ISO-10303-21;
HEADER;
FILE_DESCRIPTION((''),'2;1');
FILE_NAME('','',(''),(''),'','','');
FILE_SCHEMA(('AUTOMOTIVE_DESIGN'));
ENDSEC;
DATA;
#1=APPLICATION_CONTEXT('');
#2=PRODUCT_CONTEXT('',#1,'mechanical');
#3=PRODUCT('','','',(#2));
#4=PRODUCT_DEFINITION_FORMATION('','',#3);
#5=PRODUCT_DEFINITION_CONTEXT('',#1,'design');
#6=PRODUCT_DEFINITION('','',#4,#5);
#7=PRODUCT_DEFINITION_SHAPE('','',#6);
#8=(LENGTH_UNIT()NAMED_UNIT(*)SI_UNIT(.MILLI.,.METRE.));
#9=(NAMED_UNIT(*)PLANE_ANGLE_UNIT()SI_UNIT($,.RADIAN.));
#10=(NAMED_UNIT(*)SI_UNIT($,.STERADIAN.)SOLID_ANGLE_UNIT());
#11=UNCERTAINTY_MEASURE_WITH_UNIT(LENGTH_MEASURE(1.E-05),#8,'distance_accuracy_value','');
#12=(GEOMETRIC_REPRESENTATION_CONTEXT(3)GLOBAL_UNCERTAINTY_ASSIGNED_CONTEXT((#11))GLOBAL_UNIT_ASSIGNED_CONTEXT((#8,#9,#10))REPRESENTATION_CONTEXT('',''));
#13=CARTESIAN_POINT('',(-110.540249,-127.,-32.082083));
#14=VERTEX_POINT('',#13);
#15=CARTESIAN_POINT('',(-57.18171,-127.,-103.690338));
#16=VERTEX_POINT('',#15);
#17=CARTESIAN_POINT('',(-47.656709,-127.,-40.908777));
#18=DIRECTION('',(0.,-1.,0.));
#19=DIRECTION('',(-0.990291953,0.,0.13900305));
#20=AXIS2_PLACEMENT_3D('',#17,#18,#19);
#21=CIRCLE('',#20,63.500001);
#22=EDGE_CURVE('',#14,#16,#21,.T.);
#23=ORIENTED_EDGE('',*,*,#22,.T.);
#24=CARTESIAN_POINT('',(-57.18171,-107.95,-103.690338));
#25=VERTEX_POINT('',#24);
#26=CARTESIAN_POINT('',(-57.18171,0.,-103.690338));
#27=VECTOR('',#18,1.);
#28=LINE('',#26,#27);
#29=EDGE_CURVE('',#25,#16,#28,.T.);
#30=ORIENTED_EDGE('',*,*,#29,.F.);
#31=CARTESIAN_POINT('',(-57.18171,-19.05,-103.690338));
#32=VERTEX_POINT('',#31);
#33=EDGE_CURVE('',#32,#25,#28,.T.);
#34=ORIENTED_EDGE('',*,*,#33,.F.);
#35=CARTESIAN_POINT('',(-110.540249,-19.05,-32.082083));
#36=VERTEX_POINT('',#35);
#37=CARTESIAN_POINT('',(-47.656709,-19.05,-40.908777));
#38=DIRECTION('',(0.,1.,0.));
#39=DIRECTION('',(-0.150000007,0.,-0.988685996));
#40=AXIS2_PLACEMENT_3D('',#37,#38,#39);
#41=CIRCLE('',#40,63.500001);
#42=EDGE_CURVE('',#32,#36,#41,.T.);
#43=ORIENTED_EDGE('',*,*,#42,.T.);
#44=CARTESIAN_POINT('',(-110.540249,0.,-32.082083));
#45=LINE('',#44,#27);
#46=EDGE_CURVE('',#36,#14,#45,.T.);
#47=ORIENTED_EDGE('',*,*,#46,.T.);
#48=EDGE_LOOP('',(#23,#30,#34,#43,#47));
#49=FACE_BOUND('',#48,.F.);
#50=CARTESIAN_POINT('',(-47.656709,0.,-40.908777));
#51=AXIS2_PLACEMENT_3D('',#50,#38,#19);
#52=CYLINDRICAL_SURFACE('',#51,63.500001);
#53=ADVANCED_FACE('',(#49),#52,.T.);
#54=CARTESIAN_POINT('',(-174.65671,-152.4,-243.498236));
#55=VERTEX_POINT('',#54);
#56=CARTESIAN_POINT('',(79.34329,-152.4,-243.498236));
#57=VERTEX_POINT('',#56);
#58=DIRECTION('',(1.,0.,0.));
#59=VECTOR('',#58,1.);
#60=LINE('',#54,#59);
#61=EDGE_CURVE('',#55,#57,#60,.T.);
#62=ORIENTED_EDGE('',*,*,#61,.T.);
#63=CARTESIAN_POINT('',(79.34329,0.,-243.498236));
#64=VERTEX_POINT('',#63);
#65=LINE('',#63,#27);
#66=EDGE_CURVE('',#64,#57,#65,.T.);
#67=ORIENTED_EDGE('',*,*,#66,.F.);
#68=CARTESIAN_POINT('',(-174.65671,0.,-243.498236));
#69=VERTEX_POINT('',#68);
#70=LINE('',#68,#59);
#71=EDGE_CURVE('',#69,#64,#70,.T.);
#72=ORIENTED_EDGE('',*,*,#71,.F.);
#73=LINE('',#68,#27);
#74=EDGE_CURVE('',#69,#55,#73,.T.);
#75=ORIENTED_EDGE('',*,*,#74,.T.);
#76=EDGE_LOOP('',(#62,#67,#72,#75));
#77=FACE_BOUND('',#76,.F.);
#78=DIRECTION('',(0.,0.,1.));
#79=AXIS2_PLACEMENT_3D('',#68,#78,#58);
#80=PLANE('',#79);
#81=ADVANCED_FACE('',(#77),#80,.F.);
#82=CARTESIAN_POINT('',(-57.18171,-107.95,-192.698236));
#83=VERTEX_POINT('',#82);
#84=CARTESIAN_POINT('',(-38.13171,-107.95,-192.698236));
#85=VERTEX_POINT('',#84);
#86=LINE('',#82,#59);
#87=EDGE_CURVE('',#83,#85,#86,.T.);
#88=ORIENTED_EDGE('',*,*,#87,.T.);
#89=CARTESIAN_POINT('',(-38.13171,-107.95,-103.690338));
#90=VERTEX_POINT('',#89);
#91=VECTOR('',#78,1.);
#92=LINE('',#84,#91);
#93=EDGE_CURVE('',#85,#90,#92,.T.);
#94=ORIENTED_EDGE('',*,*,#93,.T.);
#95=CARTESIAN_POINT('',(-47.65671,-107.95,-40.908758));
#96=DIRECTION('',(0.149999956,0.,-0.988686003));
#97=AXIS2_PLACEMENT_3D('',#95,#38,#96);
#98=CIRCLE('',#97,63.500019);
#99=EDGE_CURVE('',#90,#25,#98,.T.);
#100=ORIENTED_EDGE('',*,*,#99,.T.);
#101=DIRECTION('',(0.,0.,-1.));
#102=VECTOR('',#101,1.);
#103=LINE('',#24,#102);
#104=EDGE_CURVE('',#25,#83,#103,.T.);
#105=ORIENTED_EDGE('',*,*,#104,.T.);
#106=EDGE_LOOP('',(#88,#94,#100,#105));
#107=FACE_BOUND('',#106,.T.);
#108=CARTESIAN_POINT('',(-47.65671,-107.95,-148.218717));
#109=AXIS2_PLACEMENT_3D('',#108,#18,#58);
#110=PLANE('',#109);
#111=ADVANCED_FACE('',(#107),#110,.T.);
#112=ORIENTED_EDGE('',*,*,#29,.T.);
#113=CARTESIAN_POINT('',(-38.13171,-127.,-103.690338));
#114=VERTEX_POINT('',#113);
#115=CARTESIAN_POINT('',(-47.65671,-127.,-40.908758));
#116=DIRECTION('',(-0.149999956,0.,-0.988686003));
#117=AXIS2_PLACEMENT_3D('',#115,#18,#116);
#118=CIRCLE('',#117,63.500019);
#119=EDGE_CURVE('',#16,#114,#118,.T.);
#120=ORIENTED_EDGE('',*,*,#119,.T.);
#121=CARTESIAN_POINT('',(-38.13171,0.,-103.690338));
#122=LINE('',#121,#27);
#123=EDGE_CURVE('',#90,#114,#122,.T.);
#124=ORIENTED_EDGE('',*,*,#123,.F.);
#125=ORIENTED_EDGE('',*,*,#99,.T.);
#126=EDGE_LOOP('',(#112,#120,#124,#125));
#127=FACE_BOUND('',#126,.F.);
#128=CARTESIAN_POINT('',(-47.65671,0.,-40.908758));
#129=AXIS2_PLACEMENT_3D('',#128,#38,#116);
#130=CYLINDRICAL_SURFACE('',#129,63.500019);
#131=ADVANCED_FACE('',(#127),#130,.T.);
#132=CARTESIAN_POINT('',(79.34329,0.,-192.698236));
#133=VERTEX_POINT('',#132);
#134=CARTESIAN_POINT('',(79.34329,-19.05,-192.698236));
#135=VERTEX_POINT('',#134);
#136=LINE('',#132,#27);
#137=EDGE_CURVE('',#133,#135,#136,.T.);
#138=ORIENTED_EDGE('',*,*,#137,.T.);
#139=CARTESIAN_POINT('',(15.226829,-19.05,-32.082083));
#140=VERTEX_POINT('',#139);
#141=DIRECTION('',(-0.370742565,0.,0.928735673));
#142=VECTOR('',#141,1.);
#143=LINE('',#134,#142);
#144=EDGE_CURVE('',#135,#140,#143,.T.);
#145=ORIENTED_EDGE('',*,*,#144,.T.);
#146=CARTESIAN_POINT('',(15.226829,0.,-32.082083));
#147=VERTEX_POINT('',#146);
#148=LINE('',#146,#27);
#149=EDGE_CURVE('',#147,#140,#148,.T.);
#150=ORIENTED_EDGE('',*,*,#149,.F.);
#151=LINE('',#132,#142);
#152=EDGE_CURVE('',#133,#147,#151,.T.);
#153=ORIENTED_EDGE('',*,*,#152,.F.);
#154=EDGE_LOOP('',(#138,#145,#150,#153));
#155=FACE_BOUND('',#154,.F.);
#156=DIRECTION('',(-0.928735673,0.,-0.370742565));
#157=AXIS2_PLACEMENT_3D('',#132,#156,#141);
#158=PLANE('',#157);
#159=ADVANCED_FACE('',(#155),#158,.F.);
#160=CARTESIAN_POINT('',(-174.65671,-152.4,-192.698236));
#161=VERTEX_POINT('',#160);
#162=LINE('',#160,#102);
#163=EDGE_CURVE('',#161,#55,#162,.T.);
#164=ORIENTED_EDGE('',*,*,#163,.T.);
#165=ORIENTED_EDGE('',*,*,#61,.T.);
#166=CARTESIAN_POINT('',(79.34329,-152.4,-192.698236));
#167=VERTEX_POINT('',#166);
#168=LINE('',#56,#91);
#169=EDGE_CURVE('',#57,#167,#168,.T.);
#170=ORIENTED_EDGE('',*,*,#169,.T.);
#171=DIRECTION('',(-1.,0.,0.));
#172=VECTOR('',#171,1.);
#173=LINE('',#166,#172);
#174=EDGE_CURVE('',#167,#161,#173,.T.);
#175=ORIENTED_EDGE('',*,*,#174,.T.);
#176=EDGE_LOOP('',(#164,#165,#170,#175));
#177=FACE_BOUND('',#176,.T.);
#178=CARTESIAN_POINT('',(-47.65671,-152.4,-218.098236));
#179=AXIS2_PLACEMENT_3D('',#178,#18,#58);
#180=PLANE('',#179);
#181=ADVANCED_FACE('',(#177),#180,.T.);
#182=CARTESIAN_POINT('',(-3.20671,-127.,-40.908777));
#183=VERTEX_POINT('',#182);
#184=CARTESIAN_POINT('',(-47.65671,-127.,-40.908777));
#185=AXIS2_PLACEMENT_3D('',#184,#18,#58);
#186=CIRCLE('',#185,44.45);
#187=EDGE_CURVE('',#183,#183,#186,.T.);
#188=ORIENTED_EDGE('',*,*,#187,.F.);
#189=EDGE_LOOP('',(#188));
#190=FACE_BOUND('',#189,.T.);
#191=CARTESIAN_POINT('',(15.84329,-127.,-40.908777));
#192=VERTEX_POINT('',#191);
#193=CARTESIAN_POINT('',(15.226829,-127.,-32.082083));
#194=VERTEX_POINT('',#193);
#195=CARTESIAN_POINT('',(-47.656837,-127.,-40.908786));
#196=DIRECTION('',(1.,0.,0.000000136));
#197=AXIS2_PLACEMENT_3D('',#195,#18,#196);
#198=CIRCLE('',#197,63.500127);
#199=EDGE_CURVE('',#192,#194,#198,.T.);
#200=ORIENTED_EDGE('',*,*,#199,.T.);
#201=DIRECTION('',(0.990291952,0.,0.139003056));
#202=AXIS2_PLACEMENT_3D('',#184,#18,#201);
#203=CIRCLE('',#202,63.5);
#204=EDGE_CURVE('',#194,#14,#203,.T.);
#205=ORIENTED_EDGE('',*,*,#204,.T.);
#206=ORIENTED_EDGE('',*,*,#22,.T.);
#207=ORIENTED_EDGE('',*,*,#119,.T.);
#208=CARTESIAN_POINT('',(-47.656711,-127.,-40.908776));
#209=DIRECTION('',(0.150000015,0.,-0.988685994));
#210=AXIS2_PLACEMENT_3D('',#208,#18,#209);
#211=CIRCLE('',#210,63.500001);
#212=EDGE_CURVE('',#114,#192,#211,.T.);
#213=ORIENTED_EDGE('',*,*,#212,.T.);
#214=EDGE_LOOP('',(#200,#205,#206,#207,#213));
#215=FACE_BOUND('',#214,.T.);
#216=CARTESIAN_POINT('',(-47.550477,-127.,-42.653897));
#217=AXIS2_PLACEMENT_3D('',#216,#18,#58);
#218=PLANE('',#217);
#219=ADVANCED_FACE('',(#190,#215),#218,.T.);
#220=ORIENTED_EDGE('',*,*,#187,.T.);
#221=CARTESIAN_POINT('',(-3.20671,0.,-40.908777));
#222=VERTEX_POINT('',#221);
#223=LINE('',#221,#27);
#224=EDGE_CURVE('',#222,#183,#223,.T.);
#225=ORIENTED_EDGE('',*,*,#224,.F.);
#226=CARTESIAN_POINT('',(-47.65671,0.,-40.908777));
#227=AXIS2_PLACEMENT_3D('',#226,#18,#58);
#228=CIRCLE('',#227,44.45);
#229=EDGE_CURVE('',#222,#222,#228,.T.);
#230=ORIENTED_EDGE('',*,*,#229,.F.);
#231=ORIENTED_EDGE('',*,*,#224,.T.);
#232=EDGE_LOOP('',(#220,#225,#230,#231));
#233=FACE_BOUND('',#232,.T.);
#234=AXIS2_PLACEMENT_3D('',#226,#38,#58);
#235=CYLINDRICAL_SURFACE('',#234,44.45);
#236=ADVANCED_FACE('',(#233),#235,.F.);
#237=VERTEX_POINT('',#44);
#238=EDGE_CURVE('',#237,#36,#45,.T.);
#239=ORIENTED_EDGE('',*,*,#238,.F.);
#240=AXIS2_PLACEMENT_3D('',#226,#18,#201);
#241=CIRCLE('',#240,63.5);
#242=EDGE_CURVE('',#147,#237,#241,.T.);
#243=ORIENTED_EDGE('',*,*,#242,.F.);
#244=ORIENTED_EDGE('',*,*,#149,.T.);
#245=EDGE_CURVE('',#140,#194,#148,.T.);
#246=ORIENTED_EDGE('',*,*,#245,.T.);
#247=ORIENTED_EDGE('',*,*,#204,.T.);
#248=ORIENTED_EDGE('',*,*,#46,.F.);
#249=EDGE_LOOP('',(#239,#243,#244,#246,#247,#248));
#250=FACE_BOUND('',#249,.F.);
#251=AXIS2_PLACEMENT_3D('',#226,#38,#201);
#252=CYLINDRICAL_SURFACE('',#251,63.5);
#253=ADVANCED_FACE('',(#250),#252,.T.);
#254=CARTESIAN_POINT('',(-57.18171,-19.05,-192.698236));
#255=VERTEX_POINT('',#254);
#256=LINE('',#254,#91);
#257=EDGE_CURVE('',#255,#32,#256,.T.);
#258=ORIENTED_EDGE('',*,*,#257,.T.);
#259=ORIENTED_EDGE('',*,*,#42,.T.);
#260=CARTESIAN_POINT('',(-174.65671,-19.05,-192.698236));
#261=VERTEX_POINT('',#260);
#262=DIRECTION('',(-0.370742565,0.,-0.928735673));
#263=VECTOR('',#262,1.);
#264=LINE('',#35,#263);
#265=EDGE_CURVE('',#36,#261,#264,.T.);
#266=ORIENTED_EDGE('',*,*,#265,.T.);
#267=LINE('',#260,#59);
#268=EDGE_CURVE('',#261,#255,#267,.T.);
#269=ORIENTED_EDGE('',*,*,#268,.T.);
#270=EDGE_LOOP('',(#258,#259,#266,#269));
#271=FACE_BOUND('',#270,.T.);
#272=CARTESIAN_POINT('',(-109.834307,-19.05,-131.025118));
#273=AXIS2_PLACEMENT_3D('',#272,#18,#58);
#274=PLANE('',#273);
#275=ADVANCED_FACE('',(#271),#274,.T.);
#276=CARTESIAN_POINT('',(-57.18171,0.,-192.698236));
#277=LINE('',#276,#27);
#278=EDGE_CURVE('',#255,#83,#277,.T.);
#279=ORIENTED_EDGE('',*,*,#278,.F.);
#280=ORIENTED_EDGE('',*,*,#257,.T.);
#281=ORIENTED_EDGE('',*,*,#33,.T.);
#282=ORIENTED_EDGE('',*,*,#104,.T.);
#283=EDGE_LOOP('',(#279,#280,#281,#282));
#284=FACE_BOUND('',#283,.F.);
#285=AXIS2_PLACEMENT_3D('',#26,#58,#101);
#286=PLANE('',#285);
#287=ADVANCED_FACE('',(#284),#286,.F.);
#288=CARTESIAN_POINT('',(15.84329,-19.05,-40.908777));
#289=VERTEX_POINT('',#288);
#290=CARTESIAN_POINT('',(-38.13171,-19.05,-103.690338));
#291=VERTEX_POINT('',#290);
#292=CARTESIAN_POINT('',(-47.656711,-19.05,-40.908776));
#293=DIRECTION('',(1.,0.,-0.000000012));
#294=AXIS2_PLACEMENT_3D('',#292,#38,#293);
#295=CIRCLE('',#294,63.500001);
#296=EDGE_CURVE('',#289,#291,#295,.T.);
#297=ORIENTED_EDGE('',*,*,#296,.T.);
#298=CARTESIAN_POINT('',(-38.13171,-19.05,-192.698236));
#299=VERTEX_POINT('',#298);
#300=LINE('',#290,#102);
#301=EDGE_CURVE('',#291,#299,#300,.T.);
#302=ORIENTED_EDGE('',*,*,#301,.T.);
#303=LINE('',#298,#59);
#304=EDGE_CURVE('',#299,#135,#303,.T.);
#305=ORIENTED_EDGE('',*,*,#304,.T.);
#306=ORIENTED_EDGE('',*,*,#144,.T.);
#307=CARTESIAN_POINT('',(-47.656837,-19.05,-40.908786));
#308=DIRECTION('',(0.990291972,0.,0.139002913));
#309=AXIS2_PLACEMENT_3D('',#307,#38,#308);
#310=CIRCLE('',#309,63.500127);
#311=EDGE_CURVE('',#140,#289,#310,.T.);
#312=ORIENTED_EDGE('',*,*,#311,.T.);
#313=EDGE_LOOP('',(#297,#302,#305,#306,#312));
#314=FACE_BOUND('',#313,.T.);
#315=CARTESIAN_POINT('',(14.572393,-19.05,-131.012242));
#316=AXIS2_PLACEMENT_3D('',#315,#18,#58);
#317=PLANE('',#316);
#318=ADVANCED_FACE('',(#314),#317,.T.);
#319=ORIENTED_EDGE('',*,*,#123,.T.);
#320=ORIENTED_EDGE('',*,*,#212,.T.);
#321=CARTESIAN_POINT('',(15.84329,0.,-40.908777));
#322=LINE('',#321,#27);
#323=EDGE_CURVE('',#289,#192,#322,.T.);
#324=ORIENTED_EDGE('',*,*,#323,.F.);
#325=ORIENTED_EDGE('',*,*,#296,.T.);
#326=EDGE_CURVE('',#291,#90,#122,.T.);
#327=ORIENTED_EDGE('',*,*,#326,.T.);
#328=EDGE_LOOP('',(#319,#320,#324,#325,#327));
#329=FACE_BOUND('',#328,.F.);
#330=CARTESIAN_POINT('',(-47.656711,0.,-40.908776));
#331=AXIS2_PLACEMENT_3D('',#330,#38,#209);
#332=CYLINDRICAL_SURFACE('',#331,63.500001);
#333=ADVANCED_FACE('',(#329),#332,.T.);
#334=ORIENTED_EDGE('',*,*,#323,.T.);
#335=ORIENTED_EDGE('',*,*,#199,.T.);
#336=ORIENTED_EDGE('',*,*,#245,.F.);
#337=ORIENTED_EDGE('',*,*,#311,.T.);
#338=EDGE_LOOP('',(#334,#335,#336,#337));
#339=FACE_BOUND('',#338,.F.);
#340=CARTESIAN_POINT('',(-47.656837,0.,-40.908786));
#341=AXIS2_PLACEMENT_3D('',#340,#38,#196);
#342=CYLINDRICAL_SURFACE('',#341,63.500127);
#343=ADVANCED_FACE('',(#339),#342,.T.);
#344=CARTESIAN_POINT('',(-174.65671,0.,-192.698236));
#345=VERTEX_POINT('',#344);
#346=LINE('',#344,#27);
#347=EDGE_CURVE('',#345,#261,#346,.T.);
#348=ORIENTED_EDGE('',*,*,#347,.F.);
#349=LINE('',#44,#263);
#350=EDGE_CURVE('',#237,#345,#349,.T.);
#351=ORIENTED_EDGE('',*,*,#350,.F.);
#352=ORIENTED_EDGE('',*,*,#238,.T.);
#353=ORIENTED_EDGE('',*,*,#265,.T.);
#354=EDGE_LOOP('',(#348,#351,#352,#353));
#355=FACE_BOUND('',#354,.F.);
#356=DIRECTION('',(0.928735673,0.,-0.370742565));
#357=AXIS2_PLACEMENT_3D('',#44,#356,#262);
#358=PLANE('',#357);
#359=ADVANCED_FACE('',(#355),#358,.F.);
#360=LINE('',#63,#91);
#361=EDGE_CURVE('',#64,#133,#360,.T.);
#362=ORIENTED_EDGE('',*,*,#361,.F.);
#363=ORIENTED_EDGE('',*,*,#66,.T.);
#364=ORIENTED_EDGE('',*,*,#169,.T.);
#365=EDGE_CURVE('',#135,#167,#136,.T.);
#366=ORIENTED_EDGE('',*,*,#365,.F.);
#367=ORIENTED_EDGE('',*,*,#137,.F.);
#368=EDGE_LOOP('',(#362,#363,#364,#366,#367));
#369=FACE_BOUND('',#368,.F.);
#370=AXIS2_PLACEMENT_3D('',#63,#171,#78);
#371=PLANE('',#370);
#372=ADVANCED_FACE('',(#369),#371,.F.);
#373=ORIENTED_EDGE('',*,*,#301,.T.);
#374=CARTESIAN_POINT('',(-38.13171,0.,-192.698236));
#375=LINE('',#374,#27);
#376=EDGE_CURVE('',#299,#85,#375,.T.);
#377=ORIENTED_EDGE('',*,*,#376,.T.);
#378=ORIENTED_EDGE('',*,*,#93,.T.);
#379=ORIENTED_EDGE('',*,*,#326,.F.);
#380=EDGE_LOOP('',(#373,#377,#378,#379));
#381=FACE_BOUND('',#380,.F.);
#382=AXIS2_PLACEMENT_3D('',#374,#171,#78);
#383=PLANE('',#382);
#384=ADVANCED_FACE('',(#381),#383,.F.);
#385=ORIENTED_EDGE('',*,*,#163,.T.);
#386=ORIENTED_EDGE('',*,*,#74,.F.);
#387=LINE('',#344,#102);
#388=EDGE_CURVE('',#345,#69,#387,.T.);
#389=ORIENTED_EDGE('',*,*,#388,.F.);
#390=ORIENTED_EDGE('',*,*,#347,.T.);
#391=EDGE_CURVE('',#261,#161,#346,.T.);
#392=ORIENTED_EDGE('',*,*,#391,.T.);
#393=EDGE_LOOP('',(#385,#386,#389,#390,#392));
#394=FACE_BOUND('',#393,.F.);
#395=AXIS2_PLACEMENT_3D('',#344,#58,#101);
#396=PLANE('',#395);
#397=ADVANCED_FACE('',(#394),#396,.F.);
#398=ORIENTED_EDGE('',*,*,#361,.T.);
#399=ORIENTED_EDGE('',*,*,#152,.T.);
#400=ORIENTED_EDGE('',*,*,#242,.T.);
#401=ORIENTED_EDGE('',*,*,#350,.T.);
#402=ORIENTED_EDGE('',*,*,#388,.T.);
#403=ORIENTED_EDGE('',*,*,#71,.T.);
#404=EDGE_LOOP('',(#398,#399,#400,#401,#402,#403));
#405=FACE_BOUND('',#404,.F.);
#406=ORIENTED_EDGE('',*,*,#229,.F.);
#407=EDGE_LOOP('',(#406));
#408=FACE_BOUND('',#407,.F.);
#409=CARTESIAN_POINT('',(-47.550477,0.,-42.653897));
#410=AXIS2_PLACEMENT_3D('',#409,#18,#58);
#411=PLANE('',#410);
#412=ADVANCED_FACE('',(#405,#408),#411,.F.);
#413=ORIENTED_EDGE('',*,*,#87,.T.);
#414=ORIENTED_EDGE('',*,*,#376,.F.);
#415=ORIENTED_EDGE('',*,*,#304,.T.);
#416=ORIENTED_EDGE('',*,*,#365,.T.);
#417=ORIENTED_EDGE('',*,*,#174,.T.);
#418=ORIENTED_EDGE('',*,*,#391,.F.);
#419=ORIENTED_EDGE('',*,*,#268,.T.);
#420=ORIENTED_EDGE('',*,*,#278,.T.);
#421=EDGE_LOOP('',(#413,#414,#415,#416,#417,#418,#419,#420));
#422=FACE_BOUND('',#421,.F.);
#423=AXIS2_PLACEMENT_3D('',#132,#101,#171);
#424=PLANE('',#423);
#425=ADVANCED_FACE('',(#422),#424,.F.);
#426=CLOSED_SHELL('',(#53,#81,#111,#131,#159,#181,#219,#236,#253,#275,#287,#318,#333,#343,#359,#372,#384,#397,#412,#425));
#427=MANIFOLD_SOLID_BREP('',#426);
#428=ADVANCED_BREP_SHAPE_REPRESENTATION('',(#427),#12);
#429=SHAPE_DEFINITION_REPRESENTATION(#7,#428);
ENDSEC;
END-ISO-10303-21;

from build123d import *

# Parameters (mm, degrees)
F1_DEPTH = 152.4
F2_DEPTH = 19.05
F0_R     = 44.45
F3_DEPTH = 127
F4_DEPTH = 107.95


with BuildPart() as f1:
    # F0 (on Front) → F1 (new body)
    with BuildSketch(Plane.XZ):
        Polygon((79.34329, -243.498236), (79.34329, -192.698236), (-38.13171, -192.698236), (-57.18171, -192.698236), (-174.65671, -192.698236), (-174.65671, -243.498236), align=None)
    extrude(amount=F1_DEPTH)

    # F0 (on Front) → F2 (join)
    with BuildSketch(Plane.XZ):
        with BuildLine():
            ThreePointArc((-57.18171, -103.690338), (-98.575122, -78.850381), (-110.540249, -32.082083))
            Line((-110.540249, -32.082083), (-174.65671, -192.698236))
            Line((-174.65671, -192.698236), (-57.18171, -192.698236))
            Line((-57.18171, -192.698236), (-57.18171, -103.690338))
        make_face()
        with BuildLine():
            ThreePointArc((15.226829, -32.082083), (15.688987, -36.48468), (15.84329, -40.908777))
            ThreePointArc((15.84329, -40.908777), (0.494549, -82.305712), (-38.13171, -103.690338))
            Line((-38.13171, -103.690338), (-38.13171, -192.698236))
            Line((-38.13171, -192.698236), (79.34329, -192.698236))
            Line((79.34329, -192.698236), (15.226829, -32.082083))
        make_face()
    extrude(amount=F2_DEPTH)

    # F0 (on Front) → F3 (join)
    with BuildSketch(Plane.XZ):
        with BuildLine():
            ThreePointArc((-38.13171, -103.690338), (0.494549, -82.305712), (15.84329, -40.908777))
            ThreePointArc((15.84329, -40.908777), (15.688987, -36.48468), (15.226829, -32.082083))
            ThreePointArc((15.226829, -32.082083), (-47.65671, 22.591223), (-110.540249, -32.082083))
            ThreePointArc((-110.540249, -32.082083), (-98.575122, -78.850381), (-57.18171, -103.690338))
            ThreePointArc((-57.18171, -103.690338), (-47.65671, -104.408777), (-38.13171, -103.690338))
        make_face()
        with Locations((-47.65671, -40.908777)):
            Circle(F0_R, mode=Mode.SUBTRACT)
    extrude(amount=F3_DEPTH)

    # F0 (on Front) → F4 (join)
    with BuildSketch(Plane.XZ):
        with BuildLine():
            Line((-38.13171, -192.698236), (-38.13171, -103.690338))
            ThreePointArc((-38.13171, -103.690338), (-47.65671, -104.408777), (-57.18171, -103.690338))
            Line((-57.18171, -103.690338), (-57.18171, -192.698236))
            Line((-57.18171, -192.698236), (-38.13171, -192.698236))
        make_face()
    extrude(amount=F4_DEPTH)


solid = f1.part
